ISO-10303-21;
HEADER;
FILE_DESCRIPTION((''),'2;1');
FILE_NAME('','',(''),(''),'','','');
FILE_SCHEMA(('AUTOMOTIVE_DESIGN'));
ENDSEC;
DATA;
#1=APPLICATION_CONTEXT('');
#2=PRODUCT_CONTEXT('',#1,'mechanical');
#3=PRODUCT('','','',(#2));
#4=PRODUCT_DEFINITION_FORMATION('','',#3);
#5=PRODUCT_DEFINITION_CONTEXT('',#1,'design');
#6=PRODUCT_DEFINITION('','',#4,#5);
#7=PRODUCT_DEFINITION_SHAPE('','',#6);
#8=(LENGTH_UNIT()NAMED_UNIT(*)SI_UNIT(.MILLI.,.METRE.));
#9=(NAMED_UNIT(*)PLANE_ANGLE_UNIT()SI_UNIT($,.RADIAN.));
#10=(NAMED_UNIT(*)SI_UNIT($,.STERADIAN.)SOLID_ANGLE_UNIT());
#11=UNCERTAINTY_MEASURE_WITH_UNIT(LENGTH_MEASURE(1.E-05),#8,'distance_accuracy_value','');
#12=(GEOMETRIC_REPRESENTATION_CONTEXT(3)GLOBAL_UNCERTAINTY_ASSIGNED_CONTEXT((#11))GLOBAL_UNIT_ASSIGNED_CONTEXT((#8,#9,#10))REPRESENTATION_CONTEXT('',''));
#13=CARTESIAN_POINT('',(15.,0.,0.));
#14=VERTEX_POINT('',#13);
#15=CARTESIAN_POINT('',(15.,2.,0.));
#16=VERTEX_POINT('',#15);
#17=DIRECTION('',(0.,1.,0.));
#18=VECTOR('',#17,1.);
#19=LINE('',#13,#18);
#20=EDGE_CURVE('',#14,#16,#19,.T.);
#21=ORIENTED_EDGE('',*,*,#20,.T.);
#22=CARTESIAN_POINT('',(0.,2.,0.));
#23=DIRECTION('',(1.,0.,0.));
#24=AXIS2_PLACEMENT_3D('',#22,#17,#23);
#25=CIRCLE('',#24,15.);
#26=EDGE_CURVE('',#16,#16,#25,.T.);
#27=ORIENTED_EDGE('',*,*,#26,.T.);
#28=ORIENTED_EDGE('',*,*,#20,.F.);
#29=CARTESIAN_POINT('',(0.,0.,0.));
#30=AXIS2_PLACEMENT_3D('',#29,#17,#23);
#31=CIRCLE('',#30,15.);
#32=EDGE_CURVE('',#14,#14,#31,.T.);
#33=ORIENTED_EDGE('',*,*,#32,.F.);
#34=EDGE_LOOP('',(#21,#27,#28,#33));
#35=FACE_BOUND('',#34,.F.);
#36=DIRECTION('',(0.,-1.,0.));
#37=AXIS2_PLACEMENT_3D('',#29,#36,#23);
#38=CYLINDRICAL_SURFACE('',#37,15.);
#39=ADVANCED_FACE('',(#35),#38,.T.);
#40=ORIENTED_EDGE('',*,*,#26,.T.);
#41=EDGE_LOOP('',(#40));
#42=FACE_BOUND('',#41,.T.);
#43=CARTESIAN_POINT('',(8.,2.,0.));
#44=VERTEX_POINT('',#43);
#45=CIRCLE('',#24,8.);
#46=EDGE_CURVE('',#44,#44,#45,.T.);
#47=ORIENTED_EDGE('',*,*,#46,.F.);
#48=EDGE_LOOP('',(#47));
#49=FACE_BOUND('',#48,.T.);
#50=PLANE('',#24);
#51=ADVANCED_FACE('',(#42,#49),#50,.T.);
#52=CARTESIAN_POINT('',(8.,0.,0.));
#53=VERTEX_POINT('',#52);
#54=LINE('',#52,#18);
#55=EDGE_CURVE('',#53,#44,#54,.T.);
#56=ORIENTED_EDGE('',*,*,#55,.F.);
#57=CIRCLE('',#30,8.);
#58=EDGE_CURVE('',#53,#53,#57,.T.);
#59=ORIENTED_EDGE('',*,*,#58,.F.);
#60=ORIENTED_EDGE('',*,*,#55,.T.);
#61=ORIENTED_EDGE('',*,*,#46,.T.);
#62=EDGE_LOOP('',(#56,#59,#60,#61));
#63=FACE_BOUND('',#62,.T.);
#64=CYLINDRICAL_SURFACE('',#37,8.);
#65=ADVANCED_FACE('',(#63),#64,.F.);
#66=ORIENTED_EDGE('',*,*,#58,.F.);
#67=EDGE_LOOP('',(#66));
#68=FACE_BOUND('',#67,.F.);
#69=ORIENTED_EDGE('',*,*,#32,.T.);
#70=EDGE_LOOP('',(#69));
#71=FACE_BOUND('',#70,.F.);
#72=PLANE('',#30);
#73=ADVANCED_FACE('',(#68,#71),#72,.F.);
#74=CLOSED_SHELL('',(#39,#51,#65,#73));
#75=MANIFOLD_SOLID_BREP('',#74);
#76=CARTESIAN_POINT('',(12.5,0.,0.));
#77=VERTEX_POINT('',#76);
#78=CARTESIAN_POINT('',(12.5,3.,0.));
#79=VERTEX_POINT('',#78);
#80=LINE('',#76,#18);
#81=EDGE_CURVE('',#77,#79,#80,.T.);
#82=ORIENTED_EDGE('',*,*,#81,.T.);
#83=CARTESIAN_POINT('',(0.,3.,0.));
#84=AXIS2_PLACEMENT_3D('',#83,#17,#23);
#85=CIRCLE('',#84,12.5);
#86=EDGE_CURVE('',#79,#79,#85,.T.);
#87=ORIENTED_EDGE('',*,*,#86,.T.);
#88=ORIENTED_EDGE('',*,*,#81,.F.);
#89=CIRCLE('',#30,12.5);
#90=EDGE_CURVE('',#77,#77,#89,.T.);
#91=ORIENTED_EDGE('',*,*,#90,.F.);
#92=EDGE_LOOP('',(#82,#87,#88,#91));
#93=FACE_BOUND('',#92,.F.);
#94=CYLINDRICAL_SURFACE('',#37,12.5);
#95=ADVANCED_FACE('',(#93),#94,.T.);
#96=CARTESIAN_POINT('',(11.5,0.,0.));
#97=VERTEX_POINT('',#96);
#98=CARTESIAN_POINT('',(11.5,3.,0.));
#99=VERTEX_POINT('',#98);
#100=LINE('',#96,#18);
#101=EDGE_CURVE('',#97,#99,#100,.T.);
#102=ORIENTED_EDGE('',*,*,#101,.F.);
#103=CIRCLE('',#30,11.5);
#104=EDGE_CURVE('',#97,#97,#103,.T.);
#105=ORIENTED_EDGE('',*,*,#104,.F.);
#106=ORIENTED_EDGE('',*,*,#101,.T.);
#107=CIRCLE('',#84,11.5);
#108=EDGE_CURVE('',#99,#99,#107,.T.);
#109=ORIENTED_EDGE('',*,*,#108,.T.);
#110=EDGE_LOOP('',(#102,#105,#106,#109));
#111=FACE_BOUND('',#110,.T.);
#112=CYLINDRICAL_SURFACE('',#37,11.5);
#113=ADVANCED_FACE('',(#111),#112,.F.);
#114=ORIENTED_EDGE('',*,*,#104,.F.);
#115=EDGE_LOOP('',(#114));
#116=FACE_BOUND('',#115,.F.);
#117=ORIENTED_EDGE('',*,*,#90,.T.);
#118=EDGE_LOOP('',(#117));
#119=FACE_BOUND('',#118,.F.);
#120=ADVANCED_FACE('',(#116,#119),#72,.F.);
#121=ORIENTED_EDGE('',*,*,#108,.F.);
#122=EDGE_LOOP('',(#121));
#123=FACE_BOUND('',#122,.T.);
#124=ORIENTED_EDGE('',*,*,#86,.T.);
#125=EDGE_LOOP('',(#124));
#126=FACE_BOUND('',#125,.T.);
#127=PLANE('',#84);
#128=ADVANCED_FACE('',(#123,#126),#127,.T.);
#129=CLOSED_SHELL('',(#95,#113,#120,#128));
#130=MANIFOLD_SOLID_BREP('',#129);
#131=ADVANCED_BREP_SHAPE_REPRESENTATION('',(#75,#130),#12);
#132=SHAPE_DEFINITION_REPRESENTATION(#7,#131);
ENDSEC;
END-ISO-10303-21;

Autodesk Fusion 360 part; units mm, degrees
sketch "Sketch1" plane through (0, 0, 0) normal (0, 1, 0) x (1, 0, 0)
  circle A0 centre (0, 0) radius 15
  circle A1 centre (0, 0) radius 8
  circle A2 centre (0, 0) radius 12.5
  circle A3 centre (0, 0) radius 11.5
  dimension "d1" = 30
  dimension "d2" = 16
  dimension "d5" = 25
  dimension "d6" = 23
extrude "Extrude2" add sketch "Sketch1" along normal blind 3 contours A2 makes body 1
extrude "Extrude1" add sketch "Sketch1" along normal blind 2 separate body contours A0 | A2 | A3 makes body 2
